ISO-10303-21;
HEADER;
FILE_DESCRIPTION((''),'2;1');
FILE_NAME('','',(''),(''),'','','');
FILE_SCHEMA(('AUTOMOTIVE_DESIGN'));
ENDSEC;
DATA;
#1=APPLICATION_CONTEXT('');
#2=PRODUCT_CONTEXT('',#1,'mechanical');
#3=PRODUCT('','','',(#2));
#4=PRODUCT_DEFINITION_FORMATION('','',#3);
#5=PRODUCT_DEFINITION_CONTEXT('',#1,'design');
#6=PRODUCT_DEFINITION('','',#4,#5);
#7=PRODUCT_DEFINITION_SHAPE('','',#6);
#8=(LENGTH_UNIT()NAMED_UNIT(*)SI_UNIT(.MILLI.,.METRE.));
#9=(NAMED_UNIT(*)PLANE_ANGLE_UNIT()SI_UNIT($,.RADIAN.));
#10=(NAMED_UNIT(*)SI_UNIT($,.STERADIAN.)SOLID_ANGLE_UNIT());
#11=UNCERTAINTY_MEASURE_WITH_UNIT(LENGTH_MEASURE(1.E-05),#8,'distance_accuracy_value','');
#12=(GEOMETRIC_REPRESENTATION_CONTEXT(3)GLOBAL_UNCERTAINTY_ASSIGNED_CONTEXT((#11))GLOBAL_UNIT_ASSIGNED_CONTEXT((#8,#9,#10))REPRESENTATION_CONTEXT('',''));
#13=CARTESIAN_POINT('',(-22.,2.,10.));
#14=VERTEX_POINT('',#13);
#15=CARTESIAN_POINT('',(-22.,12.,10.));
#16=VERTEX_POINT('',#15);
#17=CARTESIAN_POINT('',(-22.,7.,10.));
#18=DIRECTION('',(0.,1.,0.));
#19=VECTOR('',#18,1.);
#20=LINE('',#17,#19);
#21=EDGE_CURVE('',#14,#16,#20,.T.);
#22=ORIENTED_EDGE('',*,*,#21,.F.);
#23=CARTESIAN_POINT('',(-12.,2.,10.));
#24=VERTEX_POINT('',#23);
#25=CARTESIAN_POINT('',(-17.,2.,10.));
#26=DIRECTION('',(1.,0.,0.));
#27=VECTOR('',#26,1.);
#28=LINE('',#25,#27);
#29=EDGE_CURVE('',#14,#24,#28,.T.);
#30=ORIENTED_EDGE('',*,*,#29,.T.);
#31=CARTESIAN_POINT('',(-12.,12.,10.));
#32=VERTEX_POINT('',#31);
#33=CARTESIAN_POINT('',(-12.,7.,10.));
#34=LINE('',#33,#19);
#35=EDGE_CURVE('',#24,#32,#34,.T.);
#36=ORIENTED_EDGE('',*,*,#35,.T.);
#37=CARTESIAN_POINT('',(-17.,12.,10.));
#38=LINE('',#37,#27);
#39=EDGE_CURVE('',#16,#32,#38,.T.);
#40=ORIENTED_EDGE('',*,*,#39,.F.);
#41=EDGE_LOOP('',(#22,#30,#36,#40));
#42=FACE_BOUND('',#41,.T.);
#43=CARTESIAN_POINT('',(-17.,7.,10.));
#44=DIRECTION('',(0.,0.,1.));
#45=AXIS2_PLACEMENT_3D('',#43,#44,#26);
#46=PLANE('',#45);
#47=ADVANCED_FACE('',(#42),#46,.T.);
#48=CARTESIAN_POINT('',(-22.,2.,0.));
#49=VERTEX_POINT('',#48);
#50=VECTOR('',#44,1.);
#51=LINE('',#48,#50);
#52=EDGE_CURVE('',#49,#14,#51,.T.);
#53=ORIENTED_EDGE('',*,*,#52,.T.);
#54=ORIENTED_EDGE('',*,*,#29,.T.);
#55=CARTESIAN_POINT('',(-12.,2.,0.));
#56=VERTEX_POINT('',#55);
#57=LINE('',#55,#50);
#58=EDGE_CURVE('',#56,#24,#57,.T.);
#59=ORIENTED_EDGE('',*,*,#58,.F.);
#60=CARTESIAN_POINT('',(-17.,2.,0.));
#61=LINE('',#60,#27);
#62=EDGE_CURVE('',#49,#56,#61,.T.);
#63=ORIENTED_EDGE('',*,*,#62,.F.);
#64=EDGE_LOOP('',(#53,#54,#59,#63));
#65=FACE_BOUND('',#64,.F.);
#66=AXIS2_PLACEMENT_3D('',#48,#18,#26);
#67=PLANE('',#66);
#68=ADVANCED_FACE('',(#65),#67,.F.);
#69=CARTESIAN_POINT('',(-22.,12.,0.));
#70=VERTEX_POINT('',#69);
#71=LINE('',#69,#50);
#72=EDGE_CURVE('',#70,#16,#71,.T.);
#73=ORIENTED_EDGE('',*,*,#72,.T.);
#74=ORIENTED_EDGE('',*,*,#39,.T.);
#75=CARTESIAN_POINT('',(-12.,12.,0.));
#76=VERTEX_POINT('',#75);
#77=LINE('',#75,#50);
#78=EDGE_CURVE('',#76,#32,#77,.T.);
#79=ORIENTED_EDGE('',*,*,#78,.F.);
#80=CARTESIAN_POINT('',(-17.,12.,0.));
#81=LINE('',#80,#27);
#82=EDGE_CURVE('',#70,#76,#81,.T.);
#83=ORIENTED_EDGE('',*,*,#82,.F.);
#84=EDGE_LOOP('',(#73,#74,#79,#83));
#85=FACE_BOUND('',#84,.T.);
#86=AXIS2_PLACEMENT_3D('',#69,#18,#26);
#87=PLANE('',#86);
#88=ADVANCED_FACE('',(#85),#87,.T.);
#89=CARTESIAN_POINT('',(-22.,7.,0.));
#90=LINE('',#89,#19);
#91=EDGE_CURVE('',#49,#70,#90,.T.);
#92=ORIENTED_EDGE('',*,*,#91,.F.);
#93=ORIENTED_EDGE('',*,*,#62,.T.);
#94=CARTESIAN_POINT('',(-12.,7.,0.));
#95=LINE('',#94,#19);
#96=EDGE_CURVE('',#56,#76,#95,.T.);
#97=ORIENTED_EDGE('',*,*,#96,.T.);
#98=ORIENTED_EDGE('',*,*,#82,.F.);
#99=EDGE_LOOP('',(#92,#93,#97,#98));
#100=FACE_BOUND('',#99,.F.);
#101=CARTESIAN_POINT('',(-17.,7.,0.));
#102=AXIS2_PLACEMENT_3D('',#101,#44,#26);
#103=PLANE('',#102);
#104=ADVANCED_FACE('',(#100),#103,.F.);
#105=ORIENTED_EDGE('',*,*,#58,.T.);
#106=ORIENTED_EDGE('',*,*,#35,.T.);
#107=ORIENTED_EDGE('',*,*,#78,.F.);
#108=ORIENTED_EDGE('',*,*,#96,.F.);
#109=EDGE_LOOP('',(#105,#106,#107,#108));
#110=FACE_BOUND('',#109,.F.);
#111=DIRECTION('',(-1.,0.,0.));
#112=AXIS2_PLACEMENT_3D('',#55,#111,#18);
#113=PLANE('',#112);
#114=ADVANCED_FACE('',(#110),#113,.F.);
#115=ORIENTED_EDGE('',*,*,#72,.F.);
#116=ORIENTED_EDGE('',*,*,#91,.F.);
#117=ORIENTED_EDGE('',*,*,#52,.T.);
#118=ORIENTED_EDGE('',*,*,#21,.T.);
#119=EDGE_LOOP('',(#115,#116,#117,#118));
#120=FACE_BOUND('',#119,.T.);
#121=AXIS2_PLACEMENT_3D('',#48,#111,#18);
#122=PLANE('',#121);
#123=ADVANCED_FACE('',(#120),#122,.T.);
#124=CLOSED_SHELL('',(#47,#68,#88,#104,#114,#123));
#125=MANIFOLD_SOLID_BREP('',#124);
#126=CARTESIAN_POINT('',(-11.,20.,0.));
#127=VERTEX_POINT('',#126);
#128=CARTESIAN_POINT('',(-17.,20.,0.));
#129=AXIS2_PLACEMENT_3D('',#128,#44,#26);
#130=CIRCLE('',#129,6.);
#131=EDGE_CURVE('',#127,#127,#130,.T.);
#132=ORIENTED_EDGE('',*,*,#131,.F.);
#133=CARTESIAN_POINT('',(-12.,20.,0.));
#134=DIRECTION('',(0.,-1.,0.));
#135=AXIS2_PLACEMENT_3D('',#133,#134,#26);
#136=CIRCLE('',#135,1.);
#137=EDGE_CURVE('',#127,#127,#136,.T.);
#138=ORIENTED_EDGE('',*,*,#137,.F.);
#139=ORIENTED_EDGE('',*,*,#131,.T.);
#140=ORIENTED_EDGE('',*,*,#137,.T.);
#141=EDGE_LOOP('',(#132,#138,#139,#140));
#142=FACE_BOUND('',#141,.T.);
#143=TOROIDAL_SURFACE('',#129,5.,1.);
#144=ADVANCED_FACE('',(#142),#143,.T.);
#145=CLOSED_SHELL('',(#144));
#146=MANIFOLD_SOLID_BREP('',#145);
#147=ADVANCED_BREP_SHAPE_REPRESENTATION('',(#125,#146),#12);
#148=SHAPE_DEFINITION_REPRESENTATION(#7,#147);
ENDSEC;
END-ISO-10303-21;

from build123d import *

# Parameters (mm, degrees)
BOX_W     = 10
BOX_H     = 10
BOX_DEPTH = 10
TORUS_R   = 1


with BuildPart() as cube_passthrough:
    # Box → Box (new body)
    with BuildSketch(Plane(origin=(-22, 2, 0), x_dir=(1, 0, 0), z_dir=(0, 0, 1))):
        with Locations((5, 5)):
            Rectangle(BOX_W, BOX_H)
    extrude(amount=BOX_DEPTH)


with BuildPart() as trash_to_ignore:
    # Torus → Torus (revolve)
    with BuildSketch(Plane(origin=(-17, 20, 0), x_dir=(1, 0, 0), z_dir=(0, -1, 0))):
        with Locations((5, 0)):
            Circle(TORUS_R)
    revolve(axis=Axis((-17, 20, 0), (0, 0, 1)))


solid = Compound([cube_passthrough.part, trash_to_ignore.part])
